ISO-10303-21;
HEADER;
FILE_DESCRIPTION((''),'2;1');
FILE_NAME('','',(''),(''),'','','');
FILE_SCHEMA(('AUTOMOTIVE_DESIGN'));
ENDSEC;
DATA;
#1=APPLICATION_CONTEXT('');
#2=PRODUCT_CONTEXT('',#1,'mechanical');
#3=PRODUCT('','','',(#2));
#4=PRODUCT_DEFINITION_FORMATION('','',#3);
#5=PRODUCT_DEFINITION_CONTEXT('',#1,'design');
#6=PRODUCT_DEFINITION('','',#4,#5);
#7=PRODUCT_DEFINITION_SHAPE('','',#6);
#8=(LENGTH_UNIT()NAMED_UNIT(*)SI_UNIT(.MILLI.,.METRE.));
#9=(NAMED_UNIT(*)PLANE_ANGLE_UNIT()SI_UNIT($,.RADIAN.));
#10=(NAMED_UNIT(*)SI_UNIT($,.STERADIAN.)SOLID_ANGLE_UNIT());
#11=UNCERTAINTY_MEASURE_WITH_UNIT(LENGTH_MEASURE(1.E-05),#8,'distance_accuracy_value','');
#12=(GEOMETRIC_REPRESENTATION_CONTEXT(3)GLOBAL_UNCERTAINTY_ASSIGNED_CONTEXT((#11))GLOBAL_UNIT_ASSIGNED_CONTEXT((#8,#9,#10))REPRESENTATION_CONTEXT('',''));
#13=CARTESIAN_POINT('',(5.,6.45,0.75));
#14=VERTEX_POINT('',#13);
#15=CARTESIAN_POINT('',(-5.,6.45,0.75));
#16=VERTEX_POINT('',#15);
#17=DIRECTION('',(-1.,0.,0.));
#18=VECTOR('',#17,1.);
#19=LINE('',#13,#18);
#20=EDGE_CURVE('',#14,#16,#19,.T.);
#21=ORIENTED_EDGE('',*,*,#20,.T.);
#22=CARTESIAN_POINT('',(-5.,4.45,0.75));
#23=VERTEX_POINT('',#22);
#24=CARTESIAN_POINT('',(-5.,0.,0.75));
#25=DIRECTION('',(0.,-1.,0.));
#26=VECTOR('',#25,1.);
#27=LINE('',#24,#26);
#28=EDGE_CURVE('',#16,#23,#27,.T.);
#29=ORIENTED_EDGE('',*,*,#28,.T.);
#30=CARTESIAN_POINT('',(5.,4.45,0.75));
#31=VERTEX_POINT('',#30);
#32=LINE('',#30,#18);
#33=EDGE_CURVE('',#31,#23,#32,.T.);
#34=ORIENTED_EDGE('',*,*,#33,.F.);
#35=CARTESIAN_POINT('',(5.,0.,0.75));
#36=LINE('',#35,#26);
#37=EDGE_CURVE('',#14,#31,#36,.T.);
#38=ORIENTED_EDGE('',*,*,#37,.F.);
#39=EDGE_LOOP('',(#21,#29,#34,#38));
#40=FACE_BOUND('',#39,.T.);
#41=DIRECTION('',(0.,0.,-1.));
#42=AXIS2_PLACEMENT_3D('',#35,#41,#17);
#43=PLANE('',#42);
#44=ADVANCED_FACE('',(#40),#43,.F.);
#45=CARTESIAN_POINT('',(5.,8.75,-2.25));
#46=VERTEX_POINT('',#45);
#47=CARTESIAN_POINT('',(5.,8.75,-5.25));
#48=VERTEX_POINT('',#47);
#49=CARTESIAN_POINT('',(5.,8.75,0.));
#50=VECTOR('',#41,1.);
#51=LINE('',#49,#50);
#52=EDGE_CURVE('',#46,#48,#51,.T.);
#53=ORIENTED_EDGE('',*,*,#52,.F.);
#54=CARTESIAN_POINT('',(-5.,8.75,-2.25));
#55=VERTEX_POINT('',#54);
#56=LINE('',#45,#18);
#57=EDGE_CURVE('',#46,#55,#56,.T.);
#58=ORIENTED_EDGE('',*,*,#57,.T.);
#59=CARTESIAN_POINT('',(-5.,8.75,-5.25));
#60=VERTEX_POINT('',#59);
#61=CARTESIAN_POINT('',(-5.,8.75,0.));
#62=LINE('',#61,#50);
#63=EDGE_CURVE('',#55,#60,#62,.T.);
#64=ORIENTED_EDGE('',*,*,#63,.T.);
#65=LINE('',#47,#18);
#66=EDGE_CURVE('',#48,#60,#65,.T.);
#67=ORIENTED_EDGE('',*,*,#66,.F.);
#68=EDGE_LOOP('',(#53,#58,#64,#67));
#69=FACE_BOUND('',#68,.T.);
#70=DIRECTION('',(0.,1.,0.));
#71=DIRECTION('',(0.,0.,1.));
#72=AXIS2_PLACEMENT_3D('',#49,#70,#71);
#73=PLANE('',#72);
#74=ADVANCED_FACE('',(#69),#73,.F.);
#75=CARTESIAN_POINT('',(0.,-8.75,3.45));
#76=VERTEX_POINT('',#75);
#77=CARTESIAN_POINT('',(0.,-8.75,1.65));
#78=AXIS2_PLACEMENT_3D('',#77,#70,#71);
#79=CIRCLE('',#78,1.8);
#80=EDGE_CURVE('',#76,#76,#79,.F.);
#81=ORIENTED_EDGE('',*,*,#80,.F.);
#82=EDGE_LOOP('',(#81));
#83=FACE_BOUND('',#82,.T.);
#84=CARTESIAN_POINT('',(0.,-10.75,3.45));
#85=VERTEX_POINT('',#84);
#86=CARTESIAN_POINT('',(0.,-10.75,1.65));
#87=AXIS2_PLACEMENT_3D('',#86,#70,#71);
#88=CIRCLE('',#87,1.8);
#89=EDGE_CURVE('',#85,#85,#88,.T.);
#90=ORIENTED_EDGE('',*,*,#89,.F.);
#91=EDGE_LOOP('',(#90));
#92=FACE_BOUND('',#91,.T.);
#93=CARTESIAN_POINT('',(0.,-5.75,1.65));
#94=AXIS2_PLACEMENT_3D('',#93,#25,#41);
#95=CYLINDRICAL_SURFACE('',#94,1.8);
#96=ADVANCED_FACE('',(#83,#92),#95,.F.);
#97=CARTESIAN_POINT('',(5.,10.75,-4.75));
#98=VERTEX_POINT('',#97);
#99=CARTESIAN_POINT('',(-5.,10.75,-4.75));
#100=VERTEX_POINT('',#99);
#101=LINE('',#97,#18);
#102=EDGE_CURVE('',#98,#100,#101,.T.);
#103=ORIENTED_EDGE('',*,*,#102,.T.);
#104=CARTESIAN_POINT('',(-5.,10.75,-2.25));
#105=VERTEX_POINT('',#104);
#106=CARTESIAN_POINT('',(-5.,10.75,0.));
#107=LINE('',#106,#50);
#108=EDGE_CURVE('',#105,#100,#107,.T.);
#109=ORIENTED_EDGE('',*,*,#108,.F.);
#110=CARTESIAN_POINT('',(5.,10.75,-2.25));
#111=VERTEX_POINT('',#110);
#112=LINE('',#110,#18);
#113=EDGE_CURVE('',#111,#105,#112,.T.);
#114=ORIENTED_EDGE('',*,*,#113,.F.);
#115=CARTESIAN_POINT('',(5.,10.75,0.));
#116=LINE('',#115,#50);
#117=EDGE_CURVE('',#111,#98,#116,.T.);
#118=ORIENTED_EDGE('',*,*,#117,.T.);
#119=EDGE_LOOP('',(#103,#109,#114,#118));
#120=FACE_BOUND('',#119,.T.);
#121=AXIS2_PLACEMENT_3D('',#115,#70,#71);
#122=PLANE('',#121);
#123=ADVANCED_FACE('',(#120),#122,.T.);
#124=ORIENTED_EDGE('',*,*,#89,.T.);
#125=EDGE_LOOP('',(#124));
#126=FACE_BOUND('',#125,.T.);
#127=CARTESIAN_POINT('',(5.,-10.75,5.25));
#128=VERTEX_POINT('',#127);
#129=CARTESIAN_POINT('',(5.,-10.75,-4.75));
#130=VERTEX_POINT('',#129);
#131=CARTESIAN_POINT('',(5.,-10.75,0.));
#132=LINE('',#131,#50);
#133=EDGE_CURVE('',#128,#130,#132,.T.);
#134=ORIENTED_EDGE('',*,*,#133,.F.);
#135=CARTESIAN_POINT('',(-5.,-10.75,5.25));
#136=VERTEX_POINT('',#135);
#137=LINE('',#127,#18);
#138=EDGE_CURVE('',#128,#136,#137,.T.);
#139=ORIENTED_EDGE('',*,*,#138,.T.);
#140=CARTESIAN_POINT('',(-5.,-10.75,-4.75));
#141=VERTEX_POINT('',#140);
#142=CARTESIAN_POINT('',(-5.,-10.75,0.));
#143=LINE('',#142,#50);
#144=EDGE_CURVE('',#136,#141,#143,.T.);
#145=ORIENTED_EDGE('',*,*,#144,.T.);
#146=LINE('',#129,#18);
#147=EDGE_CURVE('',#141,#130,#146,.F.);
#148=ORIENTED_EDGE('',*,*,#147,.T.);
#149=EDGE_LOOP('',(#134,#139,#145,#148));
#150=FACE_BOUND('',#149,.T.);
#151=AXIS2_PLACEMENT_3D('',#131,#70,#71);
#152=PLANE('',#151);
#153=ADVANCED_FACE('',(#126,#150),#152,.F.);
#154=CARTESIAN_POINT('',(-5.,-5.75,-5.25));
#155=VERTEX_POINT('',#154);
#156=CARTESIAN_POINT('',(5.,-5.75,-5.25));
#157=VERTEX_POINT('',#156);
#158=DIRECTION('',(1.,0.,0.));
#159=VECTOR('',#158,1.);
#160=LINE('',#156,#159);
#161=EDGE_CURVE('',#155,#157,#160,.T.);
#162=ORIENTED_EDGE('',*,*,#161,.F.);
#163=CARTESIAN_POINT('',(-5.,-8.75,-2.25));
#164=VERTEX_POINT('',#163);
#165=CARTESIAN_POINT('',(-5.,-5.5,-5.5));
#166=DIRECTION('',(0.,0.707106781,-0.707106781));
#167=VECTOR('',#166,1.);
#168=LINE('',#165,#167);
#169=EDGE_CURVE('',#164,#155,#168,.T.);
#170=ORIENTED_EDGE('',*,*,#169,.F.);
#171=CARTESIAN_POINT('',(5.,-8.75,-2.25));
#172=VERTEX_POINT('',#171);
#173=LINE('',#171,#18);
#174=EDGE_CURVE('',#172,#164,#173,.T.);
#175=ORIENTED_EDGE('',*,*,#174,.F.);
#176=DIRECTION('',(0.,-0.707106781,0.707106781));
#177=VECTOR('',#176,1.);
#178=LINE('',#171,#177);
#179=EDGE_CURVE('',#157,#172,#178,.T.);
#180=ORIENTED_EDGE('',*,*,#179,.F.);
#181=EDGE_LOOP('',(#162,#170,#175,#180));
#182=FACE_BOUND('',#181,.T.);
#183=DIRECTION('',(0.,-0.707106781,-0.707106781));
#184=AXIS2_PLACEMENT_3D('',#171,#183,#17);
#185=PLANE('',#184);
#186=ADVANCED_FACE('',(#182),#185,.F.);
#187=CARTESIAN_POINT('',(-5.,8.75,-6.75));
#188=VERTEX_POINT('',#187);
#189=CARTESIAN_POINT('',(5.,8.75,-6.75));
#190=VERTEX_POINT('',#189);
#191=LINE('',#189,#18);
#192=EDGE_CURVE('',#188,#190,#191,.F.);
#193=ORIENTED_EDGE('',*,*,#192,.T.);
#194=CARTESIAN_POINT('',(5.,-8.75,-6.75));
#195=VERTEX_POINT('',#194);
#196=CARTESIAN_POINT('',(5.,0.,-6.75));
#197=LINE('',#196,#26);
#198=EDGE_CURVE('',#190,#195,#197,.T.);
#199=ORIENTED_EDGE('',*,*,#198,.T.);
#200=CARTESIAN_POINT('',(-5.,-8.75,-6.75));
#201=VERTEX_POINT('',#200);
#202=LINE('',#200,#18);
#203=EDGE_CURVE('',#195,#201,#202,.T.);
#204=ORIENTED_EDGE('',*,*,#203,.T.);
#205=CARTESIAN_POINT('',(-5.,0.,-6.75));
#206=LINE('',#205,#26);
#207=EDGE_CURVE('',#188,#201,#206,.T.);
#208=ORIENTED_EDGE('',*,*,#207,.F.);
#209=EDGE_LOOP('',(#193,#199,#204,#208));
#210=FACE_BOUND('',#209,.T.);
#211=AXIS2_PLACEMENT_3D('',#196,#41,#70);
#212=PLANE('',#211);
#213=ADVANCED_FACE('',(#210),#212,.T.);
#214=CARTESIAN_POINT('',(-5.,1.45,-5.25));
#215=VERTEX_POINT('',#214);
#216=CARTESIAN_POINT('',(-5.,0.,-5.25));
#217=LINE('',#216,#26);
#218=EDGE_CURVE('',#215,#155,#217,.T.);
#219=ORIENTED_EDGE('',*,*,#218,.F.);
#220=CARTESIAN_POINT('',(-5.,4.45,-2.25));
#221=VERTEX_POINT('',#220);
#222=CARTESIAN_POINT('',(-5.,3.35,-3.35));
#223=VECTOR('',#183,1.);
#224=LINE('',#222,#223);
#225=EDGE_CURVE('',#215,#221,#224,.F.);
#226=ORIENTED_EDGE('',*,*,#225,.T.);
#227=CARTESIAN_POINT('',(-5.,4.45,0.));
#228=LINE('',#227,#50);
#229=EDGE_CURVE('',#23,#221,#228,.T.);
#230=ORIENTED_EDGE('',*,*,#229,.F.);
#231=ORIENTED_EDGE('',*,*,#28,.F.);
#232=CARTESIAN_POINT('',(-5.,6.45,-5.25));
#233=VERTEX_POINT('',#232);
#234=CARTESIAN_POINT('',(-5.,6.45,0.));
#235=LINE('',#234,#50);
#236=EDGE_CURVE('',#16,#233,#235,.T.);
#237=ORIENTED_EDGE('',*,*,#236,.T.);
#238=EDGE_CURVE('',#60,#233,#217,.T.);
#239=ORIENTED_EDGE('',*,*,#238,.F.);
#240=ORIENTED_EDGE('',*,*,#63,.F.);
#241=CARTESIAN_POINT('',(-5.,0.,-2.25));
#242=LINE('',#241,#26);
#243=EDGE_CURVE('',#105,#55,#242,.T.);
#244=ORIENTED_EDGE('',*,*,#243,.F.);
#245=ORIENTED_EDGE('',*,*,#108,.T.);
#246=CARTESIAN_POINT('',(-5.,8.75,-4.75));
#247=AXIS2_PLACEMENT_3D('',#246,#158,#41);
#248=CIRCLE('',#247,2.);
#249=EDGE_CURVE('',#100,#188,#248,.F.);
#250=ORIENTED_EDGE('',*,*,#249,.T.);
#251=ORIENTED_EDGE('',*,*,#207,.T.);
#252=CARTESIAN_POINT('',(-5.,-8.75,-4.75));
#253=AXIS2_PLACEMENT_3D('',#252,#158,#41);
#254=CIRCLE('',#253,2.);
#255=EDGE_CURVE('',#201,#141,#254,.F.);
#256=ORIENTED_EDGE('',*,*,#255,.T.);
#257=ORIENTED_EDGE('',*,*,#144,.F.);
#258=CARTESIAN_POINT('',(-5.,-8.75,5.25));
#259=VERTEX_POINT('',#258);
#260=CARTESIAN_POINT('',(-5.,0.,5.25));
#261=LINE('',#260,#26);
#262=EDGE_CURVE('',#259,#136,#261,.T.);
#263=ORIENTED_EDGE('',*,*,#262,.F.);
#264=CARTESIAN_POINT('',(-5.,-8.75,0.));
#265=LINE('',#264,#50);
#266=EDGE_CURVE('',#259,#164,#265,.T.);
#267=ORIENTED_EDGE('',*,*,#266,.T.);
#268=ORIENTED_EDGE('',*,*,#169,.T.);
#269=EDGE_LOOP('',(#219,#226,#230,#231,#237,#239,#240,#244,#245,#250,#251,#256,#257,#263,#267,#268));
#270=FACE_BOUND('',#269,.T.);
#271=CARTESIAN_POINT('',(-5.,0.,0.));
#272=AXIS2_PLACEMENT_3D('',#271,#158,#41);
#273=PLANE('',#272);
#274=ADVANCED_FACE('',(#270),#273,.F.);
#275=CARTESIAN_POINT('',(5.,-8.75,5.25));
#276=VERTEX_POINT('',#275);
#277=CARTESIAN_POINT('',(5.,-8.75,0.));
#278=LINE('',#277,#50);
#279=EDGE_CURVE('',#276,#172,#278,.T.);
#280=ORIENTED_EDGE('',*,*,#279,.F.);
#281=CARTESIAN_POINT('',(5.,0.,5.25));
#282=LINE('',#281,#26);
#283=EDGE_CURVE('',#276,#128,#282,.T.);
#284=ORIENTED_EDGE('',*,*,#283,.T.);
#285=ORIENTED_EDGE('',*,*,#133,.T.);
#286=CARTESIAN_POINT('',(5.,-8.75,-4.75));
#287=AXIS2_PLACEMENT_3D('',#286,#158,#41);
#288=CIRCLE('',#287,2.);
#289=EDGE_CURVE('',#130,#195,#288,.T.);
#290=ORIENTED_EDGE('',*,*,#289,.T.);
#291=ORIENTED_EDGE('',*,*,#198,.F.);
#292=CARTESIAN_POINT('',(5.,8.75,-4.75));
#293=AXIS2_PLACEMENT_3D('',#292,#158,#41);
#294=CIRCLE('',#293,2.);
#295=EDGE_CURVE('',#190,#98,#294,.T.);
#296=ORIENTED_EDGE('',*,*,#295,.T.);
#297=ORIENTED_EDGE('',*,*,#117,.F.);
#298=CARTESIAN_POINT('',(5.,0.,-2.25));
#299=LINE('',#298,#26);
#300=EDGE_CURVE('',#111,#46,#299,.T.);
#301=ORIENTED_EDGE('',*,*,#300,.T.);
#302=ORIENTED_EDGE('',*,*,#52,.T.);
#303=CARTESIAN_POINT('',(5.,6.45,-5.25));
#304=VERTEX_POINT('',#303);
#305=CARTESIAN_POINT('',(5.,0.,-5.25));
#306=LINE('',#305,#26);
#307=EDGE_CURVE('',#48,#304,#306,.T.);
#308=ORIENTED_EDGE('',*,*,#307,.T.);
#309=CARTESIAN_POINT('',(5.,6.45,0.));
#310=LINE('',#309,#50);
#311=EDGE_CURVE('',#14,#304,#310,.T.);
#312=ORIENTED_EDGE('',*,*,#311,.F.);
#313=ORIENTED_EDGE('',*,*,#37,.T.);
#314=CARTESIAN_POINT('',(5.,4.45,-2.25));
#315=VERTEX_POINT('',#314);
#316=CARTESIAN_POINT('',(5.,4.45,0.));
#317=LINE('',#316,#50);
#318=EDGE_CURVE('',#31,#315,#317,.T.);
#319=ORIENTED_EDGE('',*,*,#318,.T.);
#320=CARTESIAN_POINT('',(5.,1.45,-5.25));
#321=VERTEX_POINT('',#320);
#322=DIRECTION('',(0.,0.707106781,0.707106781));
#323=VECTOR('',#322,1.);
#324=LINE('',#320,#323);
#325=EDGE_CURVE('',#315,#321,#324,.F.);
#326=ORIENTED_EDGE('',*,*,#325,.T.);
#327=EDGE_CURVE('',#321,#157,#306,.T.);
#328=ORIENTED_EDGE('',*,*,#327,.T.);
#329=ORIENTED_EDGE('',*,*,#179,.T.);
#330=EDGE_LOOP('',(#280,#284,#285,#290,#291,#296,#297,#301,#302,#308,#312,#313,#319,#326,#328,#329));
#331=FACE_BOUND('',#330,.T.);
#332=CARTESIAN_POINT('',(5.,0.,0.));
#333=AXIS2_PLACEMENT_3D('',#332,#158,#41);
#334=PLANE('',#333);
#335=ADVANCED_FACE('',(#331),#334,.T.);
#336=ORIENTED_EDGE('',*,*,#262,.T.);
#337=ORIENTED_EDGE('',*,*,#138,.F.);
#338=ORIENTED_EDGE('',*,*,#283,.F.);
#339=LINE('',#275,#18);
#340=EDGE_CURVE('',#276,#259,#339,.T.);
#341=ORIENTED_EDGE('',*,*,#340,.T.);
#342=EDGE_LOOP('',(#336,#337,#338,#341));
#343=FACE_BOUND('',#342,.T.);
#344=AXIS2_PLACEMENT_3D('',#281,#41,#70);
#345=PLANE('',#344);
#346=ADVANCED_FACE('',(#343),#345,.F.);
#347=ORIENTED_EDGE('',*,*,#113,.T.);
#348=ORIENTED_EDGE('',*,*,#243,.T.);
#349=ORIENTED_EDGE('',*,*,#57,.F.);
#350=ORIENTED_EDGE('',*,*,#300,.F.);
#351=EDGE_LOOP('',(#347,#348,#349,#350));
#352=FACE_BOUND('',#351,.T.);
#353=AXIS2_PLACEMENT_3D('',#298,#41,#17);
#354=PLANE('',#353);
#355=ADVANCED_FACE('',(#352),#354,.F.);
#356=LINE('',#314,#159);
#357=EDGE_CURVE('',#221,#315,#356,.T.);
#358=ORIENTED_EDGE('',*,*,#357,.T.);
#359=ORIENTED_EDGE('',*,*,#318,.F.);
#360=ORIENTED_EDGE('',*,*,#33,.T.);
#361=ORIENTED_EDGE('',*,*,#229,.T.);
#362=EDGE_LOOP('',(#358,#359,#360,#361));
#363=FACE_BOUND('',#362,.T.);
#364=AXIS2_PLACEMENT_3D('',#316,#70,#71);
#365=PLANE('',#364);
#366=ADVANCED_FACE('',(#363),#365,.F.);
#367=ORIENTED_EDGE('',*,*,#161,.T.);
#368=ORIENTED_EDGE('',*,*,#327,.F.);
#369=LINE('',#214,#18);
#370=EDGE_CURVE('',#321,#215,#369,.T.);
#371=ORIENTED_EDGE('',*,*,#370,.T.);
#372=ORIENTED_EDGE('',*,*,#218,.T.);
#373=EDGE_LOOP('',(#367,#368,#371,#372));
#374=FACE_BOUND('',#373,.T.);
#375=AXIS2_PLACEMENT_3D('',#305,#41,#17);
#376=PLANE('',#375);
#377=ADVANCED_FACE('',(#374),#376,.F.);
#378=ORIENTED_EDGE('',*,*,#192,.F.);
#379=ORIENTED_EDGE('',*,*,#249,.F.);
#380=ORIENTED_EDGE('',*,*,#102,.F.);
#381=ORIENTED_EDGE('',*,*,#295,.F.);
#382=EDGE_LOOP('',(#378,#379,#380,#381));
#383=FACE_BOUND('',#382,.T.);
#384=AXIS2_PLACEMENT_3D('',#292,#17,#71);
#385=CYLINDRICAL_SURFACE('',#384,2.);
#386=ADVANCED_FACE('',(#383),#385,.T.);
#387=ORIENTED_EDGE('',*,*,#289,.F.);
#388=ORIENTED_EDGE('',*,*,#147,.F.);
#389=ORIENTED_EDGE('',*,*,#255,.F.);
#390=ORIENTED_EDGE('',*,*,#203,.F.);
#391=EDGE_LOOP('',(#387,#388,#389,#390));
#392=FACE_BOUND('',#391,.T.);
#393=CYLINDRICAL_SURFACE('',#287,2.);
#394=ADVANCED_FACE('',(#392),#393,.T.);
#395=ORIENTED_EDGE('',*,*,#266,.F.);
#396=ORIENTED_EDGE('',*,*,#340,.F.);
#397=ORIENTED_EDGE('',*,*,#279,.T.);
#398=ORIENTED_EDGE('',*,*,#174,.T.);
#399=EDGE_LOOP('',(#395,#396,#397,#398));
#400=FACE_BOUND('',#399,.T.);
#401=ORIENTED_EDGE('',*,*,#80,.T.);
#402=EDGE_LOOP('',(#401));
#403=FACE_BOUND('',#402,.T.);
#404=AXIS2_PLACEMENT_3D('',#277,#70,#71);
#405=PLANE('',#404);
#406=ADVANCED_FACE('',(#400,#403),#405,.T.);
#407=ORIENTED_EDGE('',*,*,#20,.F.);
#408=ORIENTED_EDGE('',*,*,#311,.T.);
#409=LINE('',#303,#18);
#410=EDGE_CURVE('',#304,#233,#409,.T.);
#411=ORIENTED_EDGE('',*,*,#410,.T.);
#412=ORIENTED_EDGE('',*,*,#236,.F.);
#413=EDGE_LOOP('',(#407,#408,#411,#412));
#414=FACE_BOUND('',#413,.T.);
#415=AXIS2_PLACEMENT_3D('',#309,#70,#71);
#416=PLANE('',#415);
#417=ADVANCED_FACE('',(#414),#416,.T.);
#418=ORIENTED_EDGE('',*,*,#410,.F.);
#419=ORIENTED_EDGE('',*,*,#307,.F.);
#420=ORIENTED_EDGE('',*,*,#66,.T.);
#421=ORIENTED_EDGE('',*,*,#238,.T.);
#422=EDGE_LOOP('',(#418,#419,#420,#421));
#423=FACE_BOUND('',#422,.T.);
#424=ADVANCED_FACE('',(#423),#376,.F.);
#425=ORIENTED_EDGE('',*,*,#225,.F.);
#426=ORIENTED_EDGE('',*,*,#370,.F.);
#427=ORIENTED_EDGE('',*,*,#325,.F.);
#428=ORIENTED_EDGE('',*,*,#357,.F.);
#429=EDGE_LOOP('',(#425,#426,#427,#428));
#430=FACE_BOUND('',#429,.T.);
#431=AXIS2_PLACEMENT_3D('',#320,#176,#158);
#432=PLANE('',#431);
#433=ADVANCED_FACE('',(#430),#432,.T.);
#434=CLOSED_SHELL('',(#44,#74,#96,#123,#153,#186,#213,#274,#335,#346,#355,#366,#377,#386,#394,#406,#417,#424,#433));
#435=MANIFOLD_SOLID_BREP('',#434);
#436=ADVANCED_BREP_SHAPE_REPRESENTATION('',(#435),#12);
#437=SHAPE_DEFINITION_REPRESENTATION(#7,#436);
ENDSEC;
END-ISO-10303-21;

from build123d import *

# Parameters (mm, degrees)
BOSS_EXTRUDE1_DEPTH     = 5
CHAMFER1_SIZE           = 3
SKETCH2_R               = 1.8
CUT_EXTRUDE1_DEPTH      = 3
CUT_EXTRUDE1_DEPTH_BACK = 3
FILLET1_R               = 2


with BuildPart() as part:
    # Sketch1 → Boss-Extrude1 (new body, symmetric)
    with BuildSketch(Plane(origin=(0, 0, 0), x_dir=(0, 0, -1), z_dir=(1, 0, 0))):
        Polygon((-5.25, -8.75), (-5.25, -10.75), (6.75, -10.75), (6.75, 10.75), (2.25, 10.75), (2.25, 8.75), (5.25, 8.75), (5.25, 6.45), (-0.75, 6.45), (-0.75, 4.45), (5.25, 4.45), (5.25, -8.75), align=None)
    extrude(amount=BOSS_EXTRUDE1_DEPTH, both=True)

    # Chamfer1
    chamfer1_edges = [part.edges().sort_by_distance(p)[0] for p in [
        (0, -8.75, -5.25),
        (0, 4.45, -5.25),
    ]]
    chamfer(chamfer1_edges, length=CHAMFER1_SIZE)

    # Sketch2 → Cut-Extrude1 (cut, two sides)
    with BuildSketch(Plane(origin=(0, -8.75, 0), x_dir=(1, 0, 0), z_dir=(0, 1, 0))) as cut_extrude1_sk:
        with Locations((0, -1.65)):
            Circle(SKETCH2_R)
    extrude(amount=CUT_EXTRUDE1_DEPTH, mode=Mode.SUBTRACT)
    extrude(cut_extrude1_sk.sketch, amount=-CUT_EXTRUDE1_DEPTH_BACK, mode=Mode.SUBTRACT)

    # Fillet1
    fillet1_edges = [part.edges().sort_by_distance(p)[0] for p in [
        (0, 10.75, -6.75),
        (0, -10.75, -6.75),
    ]]
    fillet(fillet1_edges, radius=FILLET1_R)


solid = part.part
